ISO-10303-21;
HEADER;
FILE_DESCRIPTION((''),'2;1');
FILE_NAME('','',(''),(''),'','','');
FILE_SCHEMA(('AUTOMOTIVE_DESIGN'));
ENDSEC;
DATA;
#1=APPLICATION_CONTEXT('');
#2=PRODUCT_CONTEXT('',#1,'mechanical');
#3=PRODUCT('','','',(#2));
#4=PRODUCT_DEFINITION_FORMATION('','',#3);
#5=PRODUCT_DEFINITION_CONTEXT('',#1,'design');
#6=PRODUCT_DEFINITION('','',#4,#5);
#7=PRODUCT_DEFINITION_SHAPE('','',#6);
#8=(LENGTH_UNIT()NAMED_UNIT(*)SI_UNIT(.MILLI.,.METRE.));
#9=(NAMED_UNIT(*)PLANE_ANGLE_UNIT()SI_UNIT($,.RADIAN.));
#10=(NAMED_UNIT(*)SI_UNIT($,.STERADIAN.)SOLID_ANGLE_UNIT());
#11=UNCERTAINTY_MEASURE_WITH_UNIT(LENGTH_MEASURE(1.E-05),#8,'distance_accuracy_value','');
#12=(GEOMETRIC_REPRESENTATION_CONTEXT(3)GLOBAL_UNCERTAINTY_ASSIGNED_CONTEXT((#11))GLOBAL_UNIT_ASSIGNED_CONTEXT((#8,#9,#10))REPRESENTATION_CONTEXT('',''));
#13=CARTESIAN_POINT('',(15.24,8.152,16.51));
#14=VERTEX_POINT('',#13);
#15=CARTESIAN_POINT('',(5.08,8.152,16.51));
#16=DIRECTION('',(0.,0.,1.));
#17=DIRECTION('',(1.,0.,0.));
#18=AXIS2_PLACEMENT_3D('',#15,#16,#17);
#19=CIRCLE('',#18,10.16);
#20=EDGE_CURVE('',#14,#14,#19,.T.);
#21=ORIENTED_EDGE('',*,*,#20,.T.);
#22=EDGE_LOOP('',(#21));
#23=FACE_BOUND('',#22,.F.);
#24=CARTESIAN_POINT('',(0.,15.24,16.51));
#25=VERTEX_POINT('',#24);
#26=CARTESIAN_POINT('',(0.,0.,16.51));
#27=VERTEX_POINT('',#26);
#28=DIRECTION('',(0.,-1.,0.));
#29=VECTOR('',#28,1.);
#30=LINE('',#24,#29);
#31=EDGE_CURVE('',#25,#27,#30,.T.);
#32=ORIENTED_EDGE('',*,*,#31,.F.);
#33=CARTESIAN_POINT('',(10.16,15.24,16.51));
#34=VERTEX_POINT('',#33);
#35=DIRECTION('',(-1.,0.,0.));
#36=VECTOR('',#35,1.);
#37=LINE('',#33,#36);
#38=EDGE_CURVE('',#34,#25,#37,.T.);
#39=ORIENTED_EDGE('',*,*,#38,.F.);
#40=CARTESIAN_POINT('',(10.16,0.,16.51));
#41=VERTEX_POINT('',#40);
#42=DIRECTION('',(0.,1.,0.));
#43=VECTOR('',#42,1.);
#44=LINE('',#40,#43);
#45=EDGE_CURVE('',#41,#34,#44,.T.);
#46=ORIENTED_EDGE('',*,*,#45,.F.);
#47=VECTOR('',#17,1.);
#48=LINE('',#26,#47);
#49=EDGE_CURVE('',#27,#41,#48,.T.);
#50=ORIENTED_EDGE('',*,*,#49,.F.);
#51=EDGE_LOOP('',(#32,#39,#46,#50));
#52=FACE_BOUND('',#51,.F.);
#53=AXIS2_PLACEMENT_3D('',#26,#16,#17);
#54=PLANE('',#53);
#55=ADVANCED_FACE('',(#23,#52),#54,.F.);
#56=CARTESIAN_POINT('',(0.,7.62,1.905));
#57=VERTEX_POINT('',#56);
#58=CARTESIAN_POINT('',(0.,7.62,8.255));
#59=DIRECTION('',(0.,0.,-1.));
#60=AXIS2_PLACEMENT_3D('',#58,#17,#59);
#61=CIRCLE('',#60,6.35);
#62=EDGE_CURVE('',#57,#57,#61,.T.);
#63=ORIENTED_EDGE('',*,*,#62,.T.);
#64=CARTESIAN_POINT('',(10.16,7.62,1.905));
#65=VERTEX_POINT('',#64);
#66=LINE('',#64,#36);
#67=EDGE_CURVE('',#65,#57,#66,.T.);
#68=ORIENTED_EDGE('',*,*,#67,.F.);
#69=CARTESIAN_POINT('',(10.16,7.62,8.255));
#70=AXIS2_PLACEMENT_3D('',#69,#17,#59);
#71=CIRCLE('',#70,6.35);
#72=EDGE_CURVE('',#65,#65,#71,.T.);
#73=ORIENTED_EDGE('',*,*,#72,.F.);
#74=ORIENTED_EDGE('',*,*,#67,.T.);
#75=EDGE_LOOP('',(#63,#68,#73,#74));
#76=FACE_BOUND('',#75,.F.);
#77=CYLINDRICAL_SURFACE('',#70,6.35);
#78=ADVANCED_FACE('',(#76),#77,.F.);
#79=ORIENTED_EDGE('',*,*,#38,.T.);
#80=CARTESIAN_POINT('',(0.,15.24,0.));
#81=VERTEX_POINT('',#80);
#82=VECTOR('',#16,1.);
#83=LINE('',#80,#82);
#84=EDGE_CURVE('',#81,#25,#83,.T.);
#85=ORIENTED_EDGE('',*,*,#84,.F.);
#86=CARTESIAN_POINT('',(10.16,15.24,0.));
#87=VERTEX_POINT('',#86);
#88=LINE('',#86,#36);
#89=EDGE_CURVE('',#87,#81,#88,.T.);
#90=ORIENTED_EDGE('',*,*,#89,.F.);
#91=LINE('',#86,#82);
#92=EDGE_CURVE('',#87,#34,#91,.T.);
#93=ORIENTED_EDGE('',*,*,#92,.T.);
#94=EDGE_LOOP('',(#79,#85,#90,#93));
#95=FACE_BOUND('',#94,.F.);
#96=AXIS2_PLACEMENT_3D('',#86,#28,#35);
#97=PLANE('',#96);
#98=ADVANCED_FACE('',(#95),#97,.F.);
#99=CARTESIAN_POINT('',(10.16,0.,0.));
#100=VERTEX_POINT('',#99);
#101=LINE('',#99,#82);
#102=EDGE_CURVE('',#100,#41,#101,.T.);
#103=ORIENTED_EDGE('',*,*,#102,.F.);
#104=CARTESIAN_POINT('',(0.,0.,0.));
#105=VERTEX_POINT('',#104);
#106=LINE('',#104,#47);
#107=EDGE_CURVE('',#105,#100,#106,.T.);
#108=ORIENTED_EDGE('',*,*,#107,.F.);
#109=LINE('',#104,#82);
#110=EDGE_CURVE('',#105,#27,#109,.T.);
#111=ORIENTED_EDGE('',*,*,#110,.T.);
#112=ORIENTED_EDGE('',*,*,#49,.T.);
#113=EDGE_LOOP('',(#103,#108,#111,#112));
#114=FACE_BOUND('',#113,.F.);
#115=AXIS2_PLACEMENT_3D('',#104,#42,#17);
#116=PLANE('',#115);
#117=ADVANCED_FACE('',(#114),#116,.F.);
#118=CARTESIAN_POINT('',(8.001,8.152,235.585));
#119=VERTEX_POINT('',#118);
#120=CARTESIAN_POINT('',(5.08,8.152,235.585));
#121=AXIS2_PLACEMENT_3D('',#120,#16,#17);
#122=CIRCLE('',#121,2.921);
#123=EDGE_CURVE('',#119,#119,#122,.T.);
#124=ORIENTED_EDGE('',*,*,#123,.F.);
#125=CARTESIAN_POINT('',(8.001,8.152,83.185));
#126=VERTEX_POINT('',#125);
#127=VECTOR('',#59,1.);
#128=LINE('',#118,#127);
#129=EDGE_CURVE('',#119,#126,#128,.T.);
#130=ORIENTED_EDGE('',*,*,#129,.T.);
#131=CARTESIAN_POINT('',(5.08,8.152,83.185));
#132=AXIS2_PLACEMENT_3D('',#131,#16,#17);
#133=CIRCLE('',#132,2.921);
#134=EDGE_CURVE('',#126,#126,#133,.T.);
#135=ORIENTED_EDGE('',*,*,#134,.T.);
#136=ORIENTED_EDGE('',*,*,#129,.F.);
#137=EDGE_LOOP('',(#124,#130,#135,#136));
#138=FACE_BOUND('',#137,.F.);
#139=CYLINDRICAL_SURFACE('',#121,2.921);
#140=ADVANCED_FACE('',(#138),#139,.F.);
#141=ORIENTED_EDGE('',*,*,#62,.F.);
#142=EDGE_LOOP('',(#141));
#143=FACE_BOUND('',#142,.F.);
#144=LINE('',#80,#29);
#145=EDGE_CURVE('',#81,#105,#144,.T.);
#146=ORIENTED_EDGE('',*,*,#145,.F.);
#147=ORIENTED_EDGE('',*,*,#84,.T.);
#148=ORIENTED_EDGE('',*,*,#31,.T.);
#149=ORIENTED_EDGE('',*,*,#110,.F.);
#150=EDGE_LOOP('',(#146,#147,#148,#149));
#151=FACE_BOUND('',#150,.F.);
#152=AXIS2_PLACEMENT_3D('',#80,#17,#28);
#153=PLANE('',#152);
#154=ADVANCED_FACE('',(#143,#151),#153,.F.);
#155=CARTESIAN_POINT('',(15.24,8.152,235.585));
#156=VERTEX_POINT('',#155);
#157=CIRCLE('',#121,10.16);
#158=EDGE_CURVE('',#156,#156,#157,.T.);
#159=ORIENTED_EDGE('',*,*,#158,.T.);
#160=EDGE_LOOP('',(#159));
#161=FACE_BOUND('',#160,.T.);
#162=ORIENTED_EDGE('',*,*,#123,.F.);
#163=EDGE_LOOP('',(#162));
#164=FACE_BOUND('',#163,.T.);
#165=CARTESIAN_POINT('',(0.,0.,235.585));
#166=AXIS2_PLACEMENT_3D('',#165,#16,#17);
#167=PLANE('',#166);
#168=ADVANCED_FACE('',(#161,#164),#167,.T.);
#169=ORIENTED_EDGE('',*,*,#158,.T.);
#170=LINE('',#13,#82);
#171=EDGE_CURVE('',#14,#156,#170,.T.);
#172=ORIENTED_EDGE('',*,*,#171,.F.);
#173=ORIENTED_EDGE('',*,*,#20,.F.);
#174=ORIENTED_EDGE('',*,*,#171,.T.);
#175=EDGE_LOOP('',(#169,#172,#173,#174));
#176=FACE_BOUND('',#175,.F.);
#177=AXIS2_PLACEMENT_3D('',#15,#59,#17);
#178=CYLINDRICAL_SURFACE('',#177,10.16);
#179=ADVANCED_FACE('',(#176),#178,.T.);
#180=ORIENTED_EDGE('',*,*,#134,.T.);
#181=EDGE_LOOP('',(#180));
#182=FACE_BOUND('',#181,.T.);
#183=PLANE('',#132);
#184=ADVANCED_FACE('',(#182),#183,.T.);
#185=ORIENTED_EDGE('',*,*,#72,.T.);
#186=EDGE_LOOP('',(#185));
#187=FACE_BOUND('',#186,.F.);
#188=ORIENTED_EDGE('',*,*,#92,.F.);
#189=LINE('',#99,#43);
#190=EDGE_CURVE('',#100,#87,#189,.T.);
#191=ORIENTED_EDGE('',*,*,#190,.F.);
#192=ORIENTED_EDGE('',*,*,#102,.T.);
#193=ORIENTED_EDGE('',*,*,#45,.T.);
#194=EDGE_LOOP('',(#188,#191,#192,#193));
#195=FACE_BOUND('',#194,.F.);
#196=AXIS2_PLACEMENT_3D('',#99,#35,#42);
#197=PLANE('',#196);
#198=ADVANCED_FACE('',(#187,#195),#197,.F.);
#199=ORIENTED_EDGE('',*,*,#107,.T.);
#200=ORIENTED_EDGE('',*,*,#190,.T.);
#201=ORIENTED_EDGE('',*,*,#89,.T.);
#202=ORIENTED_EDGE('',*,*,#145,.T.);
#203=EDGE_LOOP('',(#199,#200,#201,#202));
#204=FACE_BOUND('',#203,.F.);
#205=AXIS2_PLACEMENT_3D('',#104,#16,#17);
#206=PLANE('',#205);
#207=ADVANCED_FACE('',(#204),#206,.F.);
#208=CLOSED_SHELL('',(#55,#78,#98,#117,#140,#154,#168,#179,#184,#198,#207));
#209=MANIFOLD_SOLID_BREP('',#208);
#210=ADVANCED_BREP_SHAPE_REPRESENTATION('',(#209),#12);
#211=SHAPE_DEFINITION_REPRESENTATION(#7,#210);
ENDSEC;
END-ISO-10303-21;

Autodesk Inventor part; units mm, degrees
ref_plane "YZ Plane" through (0, 0, 0) normal (1, 0, 0) x (0, 1, 0)
ref_plane "XZ Plane" through (0, 0, 0) normal (0, 1, 0) x (-1, 0, 0)
ref_plane "XY Plane" through (0, 0, 0) normal (0, 0, 1) x (1, 0, 0)
sketch "Sketch1" plane through (0, 0, 0) normal (0, 0, 1) x (1, 0, 0)
  line L0 (0, 0) -> (10.16, 0)
  line L1 (10.16, 0) -> (10.16, 15.24)
  line L2 (10.16, 15.24) -> (0, 15.24)
  line L3 (0, 15.24) -> (0, 0)
  dimension "d0" = 10.16
  dimension "d1" = 15.24
extrude "Extrusion1" add sketch "Sketch1" along normal blind 16.51
sketch "Sketch2" plane through (10.16, 0, 0) normal (1, 0, 0) x (0, 0, -1)
  circle A0 centre (-8.255, 7.62) radius 6.35
  line L0 (0, 15.24) -> (-16.51, 15.24) projected
  point P0 (0, 0)
  dimension "d4" = 12.7
  dimension "d5" = 7.62
extrude "Extrusion2" cut sketch "Sketch2" against normal blind 16.51
sketch "Sketch3" plane through (0, 0, 16.51) normal (0, 0, 1) x (1, 0, 0)
  circle A0 centre (5.08, 8.152) radius 10.16
  point P0 (0, 0)
  dimension "d8" = 20.32
extrude "Extrusion3" add sketch "Sketch3" along normal blind 219.075
sketch "Sketch5" plane through (5.08, 8.152, 235.585) normal (0, 0, 1) x (1, 0, 0)
  circle A0 centre (0, 0) radius 2.921
  point P0 (-5.08, -8.152)
  dimension "d13" = 5.842
extrude "Extrusion5" cut sketch "Sketch5" against normal blind 152.4
properties part number "SolenoidCase"
